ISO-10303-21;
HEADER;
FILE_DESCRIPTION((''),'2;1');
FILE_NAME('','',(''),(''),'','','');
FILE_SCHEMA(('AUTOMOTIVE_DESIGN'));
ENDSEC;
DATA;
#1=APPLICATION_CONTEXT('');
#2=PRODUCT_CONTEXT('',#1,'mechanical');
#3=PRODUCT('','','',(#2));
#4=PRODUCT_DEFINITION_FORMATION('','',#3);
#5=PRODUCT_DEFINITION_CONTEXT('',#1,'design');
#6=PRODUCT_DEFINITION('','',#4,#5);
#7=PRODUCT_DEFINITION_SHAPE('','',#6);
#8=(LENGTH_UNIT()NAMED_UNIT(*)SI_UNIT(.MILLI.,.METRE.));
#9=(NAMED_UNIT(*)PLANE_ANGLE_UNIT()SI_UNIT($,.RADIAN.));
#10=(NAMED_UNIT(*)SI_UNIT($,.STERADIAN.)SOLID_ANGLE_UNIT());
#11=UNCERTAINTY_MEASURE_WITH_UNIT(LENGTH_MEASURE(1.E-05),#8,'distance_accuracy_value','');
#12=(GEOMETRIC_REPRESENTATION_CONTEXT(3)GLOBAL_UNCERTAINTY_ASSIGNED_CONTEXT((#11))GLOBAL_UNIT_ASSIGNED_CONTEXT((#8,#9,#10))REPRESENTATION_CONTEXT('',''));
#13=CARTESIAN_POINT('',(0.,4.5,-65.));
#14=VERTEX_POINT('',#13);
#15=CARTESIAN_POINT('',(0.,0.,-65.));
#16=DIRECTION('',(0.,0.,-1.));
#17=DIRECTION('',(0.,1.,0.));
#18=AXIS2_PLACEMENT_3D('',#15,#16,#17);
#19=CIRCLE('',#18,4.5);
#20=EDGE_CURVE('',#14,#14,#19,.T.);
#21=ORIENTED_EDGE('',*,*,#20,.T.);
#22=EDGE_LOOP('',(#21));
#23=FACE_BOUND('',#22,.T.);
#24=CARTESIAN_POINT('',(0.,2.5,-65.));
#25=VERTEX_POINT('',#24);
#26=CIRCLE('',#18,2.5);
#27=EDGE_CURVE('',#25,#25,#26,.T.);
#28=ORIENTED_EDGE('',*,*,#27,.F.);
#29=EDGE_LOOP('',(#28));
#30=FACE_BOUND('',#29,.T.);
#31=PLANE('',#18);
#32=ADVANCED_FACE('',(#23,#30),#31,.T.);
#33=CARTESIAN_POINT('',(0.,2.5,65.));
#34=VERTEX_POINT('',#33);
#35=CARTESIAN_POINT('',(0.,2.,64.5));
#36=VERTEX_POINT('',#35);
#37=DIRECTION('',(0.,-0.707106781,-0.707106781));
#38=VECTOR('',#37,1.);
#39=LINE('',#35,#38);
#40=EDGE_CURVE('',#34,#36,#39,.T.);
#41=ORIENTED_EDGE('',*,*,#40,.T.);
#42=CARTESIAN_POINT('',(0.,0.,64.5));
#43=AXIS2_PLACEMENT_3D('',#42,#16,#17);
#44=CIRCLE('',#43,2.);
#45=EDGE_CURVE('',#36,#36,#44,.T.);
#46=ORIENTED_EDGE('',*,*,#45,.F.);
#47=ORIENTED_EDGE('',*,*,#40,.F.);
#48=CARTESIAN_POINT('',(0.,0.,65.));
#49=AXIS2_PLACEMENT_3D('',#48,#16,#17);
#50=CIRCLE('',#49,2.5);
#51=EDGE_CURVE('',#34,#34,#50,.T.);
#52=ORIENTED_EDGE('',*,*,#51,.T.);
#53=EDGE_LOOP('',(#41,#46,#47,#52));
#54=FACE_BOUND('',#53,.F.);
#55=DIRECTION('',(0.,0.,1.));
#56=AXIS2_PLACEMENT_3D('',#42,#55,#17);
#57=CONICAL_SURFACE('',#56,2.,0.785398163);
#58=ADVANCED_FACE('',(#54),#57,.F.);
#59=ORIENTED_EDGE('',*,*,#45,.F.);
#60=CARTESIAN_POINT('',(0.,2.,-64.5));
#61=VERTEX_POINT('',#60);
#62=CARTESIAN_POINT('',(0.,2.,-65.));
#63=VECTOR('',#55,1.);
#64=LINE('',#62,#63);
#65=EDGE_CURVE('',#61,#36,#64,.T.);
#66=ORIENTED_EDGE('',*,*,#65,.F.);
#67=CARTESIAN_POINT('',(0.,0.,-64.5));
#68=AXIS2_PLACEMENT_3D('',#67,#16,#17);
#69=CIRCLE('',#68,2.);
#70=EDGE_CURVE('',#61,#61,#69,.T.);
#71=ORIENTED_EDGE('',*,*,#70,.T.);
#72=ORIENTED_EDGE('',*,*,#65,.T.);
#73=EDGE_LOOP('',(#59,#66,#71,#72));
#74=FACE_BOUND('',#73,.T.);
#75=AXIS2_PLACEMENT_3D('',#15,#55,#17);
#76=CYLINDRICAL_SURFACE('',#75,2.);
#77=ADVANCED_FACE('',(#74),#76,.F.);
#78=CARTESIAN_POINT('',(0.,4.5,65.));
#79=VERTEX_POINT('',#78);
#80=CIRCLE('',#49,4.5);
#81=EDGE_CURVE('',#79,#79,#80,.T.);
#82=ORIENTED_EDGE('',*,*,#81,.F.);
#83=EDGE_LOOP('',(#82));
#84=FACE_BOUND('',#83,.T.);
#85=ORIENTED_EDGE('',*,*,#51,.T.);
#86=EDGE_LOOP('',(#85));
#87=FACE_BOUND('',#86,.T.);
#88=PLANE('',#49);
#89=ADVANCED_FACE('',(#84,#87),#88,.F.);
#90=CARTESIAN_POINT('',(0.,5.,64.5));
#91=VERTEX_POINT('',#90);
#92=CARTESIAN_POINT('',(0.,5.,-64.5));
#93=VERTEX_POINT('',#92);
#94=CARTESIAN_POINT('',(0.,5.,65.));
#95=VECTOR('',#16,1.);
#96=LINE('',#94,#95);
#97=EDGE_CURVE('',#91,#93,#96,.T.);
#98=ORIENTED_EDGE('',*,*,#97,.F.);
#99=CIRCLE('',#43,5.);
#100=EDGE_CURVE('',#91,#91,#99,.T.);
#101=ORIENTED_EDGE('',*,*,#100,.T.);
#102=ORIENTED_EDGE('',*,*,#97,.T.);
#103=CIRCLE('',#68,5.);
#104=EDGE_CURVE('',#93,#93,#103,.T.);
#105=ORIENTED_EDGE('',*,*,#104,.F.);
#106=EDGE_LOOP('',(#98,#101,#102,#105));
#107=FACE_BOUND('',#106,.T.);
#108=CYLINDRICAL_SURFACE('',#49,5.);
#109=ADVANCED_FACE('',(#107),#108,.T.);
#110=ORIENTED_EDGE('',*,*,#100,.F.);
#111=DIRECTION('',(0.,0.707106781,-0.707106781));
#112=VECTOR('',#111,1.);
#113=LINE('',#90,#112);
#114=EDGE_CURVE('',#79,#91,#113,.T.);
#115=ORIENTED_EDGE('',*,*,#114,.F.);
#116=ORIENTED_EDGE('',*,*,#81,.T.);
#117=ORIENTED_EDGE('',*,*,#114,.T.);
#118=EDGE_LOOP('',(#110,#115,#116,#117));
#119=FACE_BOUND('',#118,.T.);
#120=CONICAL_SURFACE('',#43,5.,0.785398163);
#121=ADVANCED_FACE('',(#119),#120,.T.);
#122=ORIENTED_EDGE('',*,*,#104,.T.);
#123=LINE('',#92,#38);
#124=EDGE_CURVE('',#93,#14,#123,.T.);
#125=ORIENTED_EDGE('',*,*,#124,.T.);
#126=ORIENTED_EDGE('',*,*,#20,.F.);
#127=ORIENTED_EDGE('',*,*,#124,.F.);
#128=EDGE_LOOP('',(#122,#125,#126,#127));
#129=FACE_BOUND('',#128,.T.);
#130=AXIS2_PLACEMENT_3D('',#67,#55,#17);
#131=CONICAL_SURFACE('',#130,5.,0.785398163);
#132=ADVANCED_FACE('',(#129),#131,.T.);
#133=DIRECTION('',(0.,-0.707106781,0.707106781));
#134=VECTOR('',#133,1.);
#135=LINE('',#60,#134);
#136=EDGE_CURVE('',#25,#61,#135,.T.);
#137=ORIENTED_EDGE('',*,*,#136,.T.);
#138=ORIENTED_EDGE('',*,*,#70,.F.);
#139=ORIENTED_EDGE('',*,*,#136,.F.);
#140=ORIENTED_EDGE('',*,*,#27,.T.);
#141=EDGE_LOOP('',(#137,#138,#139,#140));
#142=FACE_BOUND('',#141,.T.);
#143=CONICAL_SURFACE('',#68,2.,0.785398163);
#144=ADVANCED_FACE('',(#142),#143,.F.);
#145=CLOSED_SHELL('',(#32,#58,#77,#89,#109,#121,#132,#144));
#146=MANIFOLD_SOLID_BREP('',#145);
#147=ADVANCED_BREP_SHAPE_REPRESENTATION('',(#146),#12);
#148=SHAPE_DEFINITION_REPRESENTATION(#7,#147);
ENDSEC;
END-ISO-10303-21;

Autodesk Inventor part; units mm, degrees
ref_plane "YZ Plane" through (0, 0, 0) normal (1, 0, 0) x (0, 1, 0)
ref_plane "XZ Plane" through (0, 0, 0) normal (0, 1, 0) x (-1, 0, 0)
ref_plane "XY Plane" through (0, 0, 0) normal (0, 0, 1) x (1, 0, 0)
sketch "Boceto1" plane through (0, 0, 0) normal (1, 0, 0) x (0, 1, 0)
  line L0 (0, 65) -> (0, -65) construction
  line L1 (2, 65) -> (5, 65)
  line L2 (5, 65) -> (5, -65)
  line L3 (5, -65) -> (2, -65)
  line L4 (2, -65) -> (2, 65)
  point P0 (0, 0)
  point P1 (0, 0)
  dimension "d0" = 130
  dimension "d1" = 10
  dimension "d2" = 3
revolve "Revolución1" add sketch "Boceto1" angle 360 about axis through (0, 0, 65) along (0, 0, -1)
thread "Rosca1" size "M10x1.5" class "6g" standard "ANSI Metric M Profile" full length
chamfer "Chaflán1" distance 0.5 angle 45 4 edges at (0, -2, 65) (0, -5, 65) (0, -2, -65) (0, -5, -65)
properties part number "eje_manzana_delantera"
